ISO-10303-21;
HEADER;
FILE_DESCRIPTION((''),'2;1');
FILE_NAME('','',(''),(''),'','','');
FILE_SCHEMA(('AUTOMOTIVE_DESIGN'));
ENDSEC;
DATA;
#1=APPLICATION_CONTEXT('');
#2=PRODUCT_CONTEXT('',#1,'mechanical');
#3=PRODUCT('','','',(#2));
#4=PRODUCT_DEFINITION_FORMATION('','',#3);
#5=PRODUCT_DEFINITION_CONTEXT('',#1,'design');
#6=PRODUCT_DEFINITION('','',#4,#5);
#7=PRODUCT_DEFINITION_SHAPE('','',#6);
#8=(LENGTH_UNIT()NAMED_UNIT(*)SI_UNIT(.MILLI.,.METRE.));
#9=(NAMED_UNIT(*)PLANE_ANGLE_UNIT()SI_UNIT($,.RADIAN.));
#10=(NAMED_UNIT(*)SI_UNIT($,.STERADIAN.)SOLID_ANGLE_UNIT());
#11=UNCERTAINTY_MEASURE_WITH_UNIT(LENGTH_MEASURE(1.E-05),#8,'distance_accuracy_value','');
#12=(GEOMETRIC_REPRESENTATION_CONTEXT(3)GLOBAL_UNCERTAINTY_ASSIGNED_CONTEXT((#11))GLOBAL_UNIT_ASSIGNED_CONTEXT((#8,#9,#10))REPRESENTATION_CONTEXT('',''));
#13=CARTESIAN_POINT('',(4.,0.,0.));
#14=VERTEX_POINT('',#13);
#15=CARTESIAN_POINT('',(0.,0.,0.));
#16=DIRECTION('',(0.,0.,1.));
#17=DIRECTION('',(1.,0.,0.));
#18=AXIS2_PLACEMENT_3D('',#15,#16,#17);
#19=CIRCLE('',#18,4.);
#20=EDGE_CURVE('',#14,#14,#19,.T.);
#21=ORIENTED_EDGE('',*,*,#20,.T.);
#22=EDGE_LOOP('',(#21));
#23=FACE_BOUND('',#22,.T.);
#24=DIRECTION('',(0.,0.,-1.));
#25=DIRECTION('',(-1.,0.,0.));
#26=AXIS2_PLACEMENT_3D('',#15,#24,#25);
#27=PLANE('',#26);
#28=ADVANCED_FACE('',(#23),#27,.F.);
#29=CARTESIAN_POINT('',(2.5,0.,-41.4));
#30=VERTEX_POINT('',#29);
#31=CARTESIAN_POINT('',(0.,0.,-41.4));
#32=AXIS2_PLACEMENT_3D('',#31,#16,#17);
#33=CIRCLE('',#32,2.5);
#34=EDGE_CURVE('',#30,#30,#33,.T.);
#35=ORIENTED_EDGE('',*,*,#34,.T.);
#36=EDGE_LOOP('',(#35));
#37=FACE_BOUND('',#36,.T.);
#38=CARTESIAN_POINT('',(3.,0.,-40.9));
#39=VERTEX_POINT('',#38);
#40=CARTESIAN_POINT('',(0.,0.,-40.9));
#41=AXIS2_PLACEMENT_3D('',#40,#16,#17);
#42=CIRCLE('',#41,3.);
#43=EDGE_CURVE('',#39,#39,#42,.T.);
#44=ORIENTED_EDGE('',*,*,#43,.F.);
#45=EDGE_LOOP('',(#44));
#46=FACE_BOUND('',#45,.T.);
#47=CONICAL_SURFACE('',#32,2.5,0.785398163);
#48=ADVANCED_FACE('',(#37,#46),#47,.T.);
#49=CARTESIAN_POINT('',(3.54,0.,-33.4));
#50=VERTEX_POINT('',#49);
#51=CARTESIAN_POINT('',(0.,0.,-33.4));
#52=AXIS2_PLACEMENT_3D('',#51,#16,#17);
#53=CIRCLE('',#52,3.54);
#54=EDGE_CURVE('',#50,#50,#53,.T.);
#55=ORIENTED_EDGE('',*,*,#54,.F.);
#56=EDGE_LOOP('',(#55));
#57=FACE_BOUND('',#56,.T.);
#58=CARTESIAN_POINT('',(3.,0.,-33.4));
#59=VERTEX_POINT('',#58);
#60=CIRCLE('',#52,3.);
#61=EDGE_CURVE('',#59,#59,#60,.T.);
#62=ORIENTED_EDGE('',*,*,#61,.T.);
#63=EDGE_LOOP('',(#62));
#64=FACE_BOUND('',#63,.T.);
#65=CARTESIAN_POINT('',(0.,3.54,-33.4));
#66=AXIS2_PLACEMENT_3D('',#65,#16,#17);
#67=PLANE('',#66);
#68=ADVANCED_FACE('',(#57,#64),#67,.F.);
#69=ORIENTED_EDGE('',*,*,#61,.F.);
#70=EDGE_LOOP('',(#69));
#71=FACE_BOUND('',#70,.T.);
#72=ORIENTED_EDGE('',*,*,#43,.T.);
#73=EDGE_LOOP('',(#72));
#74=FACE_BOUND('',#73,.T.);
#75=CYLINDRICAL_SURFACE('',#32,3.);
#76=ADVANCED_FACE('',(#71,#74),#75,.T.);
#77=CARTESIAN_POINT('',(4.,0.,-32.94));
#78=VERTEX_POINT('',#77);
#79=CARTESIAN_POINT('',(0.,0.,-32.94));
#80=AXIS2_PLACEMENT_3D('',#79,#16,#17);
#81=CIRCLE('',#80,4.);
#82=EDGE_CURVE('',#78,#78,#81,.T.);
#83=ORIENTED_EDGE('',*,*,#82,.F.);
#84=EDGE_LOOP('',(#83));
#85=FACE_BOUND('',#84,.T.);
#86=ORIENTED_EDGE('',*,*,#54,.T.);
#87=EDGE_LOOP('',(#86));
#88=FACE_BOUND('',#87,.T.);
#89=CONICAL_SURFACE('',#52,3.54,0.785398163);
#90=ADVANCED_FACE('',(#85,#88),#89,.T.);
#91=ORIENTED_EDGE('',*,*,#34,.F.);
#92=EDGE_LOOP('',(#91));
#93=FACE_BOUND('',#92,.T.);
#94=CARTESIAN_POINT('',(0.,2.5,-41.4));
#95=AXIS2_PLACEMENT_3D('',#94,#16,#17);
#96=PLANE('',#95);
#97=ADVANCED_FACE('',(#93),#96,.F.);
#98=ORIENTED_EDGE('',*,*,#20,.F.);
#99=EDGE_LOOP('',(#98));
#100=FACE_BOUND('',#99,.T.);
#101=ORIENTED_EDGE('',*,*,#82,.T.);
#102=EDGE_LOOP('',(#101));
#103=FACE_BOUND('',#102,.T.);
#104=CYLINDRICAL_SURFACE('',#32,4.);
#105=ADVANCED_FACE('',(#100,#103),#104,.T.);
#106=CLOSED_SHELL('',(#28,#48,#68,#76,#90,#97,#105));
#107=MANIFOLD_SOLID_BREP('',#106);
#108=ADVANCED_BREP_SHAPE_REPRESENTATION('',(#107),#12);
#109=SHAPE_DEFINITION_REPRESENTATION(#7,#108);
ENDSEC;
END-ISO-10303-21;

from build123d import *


with BuildPart() as part:
    # Sketch1 → Revolve1 (revolve)
    with BuildSketch(Plane(origin=(0, 0, 0), x_dir=(0, 0, -1), z_dir=(1, 0, 0))):
        Polygon((0, 0), (0, 4), (32.94, 4), (33.4, 3.54), (33.4, 3), (40.9, 3), (41.4, 2.5), (41.4, 0), align=None)
    revolve(axis=Axis((0, 0, -41.4), (0, 0, 1)))


solid = part.part
